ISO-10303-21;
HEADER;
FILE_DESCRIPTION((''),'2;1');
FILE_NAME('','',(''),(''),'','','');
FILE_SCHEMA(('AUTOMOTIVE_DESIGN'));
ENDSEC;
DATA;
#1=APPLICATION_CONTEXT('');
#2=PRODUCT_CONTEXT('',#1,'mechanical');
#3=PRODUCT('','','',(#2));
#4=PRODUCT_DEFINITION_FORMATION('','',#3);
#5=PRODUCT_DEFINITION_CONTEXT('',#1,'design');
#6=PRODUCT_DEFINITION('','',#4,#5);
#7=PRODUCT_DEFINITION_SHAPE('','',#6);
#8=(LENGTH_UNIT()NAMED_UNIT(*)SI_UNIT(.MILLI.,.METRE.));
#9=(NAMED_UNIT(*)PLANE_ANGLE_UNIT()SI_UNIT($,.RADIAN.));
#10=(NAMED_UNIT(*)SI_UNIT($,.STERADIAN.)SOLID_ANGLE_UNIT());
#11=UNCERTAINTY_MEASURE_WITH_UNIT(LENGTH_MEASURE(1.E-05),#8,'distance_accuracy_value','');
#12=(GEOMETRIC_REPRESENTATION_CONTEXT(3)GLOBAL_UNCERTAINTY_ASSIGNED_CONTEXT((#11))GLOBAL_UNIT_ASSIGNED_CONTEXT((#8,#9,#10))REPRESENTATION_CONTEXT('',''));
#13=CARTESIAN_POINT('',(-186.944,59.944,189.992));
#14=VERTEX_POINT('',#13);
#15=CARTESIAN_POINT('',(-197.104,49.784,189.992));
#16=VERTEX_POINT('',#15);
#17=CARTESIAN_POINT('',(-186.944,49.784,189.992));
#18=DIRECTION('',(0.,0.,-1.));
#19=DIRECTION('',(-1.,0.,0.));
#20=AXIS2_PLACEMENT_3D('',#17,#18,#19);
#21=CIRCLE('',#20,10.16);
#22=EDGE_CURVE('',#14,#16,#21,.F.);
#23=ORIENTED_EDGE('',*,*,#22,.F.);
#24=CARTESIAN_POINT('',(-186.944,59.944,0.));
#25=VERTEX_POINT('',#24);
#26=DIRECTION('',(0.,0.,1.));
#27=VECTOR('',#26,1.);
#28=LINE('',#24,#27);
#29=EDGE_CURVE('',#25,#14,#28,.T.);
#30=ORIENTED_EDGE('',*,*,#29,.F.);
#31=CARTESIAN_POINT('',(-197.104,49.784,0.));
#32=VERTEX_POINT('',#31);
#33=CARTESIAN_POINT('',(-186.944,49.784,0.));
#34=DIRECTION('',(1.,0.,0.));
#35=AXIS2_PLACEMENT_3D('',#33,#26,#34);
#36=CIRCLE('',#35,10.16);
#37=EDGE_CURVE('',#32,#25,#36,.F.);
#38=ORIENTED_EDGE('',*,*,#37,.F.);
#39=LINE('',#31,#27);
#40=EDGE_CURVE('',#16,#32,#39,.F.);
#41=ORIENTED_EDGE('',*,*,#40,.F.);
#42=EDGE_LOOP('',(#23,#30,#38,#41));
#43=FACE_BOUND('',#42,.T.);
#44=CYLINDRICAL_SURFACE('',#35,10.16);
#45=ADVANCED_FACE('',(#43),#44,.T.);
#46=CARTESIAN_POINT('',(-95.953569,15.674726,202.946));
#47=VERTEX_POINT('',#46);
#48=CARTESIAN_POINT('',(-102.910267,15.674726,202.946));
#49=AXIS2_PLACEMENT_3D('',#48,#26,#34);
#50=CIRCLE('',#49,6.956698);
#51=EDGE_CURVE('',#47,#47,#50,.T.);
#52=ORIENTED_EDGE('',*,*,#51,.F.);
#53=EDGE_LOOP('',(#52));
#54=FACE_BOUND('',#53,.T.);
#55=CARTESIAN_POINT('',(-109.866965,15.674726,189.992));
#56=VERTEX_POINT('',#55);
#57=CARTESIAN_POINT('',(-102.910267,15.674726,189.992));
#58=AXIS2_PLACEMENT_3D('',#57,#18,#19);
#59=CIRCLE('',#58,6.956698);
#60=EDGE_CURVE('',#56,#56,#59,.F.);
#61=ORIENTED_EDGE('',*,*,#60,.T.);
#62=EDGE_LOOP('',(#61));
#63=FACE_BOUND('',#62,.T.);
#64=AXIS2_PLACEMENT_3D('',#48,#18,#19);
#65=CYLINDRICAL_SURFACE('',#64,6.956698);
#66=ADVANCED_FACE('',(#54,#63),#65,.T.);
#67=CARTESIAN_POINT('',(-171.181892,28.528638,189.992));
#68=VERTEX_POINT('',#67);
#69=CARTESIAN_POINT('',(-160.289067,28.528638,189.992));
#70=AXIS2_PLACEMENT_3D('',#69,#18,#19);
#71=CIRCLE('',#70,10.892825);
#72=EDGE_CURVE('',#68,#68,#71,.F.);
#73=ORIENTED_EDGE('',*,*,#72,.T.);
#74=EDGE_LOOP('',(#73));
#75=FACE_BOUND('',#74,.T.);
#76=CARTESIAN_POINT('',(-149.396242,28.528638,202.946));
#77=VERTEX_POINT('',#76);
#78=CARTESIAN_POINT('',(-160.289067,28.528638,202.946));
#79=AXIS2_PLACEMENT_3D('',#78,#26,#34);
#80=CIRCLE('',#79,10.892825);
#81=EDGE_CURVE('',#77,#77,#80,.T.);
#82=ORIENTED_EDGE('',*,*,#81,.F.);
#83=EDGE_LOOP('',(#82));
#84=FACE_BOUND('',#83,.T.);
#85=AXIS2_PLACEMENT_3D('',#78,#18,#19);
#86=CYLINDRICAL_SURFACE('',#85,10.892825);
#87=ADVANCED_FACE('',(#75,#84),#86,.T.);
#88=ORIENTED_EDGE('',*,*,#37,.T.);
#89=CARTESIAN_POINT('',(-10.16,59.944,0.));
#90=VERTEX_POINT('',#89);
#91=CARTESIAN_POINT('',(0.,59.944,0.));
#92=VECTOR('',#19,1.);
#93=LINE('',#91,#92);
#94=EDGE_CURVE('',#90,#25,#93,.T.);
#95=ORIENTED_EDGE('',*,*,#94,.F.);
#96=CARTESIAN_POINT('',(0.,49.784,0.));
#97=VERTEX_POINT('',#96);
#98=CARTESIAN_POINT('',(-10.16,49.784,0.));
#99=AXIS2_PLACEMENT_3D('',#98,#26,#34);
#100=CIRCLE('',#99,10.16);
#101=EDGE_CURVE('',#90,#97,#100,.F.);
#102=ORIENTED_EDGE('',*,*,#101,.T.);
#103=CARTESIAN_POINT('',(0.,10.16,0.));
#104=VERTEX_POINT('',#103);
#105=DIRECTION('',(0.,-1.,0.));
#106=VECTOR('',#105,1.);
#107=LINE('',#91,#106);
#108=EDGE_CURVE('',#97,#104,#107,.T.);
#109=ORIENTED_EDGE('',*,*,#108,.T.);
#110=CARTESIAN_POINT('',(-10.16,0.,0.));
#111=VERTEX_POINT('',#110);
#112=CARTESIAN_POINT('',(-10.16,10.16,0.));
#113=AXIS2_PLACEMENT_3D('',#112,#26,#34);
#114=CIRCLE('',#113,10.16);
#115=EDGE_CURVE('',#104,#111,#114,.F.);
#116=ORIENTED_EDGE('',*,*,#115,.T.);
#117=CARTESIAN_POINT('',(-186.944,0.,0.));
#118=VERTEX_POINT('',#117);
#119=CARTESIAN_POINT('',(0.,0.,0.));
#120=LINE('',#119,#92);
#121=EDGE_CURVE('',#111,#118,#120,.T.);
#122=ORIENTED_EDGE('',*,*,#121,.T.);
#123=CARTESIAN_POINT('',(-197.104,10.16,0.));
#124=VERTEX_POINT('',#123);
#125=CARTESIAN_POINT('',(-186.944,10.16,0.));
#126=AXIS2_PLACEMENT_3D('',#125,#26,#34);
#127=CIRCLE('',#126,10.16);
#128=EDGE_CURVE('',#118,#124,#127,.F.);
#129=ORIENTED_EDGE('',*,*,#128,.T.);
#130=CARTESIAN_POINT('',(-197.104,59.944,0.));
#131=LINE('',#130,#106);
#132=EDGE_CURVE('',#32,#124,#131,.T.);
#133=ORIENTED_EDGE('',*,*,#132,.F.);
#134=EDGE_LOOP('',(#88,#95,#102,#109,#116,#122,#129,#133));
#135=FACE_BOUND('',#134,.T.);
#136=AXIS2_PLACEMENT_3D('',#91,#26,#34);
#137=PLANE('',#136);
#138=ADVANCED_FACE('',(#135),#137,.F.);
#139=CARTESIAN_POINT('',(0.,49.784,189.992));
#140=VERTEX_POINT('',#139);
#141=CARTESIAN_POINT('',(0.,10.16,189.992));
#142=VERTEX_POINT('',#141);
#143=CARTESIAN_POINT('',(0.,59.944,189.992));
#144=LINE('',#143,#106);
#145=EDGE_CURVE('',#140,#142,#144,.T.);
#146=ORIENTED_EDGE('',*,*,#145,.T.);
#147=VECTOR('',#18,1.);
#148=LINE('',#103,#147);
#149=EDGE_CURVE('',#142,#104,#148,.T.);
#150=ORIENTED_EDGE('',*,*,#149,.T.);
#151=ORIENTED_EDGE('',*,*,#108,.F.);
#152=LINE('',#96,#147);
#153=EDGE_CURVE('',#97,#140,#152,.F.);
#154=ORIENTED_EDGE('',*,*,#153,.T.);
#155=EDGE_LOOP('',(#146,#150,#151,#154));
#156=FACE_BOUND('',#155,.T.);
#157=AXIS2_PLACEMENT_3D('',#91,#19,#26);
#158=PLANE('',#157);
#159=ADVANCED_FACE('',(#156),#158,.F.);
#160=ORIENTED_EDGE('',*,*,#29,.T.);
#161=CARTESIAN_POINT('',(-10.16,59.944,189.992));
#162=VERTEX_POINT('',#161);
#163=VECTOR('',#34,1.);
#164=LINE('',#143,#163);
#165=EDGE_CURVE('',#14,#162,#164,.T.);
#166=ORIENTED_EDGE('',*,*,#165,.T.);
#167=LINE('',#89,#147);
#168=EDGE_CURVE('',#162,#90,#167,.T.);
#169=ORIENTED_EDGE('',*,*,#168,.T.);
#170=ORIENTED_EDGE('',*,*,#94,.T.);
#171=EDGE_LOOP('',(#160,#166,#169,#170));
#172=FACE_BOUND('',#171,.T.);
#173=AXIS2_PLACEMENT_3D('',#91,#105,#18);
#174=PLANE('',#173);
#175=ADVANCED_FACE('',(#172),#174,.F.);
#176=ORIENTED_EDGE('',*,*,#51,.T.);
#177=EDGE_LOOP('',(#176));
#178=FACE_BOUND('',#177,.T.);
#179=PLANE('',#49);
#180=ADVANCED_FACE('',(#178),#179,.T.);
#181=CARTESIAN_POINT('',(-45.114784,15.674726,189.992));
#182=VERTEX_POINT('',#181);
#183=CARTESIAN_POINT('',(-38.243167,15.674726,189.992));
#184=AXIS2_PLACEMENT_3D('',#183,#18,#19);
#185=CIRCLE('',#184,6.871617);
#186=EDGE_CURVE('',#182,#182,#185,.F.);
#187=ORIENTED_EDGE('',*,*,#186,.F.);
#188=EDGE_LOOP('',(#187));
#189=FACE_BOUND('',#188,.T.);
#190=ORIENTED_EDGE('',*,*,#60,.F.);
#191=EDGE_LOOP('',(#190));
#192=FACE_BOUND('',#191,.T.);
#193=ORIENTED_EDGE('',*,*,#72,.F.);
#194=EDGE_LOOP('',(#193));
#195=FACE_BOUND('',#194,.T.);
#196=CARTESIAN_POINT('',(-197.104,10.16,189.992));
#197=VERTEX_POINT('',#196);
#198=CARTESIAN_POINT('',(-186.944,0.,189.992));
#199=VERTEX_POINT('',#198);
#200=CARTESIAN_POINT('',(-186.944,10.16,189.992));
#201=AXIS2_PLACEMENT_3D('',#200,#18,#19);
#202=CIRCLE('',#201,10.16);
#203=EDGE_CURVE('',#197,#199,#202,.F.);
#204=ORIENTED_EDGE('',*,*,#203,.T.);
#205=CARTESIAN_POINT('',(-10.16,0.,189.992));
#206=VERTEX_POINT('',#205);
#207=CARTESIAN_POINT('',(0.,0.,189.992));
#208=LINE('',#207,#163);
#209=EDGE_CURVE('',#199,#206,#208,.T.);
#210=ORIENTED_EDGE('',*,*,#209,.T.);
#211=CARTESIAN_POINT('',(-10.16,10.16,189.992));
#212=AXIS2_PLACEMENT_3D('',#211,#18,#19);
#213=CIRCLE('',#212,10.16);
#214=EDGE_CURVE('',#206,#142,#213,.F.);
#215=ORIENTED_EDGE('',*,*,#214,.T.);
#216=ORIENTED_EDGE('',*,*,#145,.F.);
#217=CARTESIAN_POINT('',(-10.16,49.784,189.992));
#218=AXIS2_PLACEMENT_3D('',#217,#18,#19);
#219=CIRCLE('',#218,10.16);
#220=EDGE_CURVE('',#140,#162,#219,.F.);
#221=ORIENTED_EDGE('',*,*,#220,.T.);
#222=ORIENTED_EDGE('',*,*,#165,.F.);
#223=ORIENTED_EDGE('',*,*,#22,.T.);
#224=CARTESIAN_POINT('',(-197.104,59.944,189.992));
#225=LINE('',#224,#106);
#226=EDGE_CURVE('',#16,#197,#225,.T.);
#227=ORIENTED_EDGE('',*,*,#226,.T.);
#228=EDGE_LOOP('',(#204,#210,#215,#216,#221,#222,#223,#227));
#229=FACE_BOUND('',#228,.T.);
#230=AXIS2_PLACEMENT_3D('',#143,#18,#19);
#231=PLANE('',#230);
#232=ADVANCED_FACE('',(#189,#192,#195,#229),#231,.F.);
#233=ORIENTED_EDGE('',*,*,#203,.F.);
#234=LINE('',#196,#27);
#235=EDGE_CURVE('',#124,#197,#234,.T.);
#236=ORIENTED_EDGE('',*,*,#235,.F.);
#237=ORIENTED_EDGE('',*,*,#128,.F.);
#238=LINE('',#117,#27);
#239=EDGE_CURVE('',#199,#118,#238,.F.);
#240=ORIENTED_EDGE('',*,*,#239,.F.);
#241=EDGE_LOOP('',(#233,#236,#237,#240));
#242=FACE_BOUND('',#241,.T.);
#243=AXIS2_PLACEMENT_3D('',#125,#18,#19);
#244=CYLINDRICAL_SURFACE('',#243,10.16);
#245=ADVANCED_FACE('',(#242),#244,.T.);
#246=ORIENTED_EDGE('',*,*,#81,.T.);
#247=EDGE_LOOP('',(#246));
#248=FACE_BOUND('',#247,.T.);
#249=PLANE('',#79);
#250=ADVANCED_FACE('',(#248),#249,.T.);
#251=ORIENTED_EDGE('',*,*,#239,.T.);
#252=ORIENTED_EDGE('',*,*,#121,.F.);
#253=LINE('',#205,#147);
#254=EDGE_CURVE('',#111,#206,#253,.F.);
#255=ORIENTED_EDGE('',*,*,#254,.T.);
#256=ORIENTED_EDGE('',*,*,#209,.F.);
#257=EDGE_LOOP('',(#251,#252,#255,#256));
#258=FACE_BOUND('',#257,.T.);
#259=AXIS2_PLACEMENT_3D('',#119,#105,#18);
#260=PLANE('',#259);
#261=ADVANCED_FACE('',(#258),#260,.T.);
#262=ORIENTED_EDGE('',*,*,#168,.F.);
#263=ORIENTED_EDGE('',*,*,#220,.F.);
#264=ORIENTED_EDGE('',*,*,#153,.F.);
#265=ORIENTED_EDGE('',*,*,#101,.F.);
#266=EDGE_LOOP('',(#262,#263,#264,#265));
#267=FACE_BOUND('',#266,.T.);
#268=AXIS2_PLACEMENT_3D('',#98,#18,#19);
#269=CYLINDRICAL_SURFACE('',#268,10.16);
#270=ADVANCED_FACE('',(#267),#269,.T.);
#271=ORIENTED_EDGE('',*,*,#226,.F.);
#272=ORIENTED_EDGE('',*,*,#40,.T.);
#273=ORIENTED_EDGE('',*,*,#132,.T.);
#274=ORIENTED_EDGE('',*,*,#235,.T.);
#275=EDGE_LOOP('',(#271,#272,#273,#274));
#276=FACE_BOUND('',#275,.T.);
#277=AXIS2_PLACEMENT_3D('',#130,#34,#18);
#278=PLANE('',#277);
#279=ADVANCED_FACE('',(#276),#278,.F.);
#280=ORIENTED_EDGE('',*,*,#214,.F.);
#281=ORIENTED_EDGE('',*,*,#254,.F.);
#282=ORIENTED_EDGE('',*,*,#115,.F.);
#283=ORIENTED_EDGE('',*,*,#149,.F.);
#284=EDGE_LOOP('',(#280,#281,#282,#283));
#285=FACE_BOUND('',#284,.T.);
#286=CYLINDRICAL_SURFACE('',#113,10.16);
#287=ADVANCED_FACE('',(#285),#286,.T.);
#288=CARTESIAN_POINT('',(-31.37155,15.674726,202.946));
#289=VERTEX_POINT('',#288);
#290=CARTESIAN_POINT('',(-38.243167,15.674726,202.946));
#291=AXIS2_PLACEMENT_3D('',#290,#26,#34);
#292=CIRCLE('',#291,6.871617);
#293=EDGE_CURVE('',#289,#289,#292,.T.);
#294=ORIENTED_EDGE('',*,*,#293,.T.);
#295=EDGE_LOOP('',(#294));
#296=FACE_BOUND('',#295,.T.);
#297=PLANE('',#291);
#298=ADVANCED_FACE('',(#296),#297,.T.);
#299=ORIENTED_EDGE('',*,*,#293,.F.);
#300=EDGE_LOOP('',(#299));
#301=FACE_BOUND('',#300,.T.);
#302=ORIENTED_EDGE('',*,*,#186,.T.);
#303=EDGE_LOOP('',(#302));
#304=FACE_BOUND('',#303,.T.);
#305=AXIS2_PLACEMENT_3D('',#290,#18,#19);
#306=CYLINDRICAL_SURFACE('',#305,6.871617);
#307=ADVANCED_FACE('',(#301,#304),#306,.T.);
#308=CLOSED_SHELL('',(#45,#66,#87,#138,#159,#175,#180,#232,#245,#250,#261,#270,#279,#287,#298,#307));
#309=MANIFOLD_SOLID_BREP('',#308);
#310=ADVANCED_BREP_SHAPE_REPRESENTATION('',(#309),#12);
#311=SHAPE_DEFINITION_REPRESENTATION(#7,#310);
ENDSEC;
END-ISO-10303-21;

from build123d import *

# Parameters (mm, degrees)
SKETCH1_W           = 197.104
SKETCH1_H           = 189.992
BOSS_EXTRUDE1_DEPTH = 59.944
FILLET1_R           = 10.16
FILLET2_R           = 10.16
FILLET3_R           = 10.16
FILLET4_R           = 10.16
SKETCH2_R           = 10.892824913
SKETCH2_R_2         = 6.956698316
SKETCH2_R_3         = 6.871617304
BOSS_EXTRUDE3_DEPTH = 12.954


with BuildPart() as part:
    # Sketch1 → Boss-Extrude1 (new body)
    with BuildSketch(Plane(origin=(0, 0, 0), x_dir=(1, 0, 0), z_dir=(0, 1, 0))):
        with Locations((-98.552, -94.996)):
            Rectangle(SKETCH1_W, SKETCH1_H)
    extrude(amount=BOSS_EXTRUDE1_DEPTH)

    # Fillet1
    fillet1_edges = [part.edges().sort_by_distance(p)[0] for p in [
        (0, 59.944, 94.996),
    ]]
    fillet(fillet1_edges, radius=FILLET1_R)

    # Fillet2
    fillet2_edges = [part.edges().sort_by_distance(p)[0] for p in [
        (0, 0, 94.996),
    ]]
    fillet(fillet2_edges, radius=FILLET2_R)

    # Fillet3
    fillet3_edges = [part.edges().sort_by_distance(p)[0] for p in [
        (-197.104, 59.944, 94.996),
    ]]
    fillet(fillet3_edges, radius=FILLET3_R)

    # Fillet4
    fillet4_edges = [part.edges().sort_by_distance(p)[0] for p in [
        (-197.104, 0, 94.996),
    ]]
    fillet(fillet4_edges, radius=FILLET4_R)

    # Sketch2 → Boss-Extrude3 (add)
    with BuildSketch(Plane.XY.offset(189.992)):
        with Locations(Location((-160.289066684, 28.528637542, 0), (0, 0, 180))):
            Circle(SKETCH2_R)
        with Locations(Location((-102.910266874, 15.674726269, 0), (0, 0, 180))):
            Circle(SKETCH2_R_2)
        with Locations(Location((-38.243166858, 15.674726269, 0), (0, 0, 180))):
            Circle(SKETCH2_R_3)
    extrude(amount=BOSS_EXTRUDE3_DEPTH)


solid = part.part
